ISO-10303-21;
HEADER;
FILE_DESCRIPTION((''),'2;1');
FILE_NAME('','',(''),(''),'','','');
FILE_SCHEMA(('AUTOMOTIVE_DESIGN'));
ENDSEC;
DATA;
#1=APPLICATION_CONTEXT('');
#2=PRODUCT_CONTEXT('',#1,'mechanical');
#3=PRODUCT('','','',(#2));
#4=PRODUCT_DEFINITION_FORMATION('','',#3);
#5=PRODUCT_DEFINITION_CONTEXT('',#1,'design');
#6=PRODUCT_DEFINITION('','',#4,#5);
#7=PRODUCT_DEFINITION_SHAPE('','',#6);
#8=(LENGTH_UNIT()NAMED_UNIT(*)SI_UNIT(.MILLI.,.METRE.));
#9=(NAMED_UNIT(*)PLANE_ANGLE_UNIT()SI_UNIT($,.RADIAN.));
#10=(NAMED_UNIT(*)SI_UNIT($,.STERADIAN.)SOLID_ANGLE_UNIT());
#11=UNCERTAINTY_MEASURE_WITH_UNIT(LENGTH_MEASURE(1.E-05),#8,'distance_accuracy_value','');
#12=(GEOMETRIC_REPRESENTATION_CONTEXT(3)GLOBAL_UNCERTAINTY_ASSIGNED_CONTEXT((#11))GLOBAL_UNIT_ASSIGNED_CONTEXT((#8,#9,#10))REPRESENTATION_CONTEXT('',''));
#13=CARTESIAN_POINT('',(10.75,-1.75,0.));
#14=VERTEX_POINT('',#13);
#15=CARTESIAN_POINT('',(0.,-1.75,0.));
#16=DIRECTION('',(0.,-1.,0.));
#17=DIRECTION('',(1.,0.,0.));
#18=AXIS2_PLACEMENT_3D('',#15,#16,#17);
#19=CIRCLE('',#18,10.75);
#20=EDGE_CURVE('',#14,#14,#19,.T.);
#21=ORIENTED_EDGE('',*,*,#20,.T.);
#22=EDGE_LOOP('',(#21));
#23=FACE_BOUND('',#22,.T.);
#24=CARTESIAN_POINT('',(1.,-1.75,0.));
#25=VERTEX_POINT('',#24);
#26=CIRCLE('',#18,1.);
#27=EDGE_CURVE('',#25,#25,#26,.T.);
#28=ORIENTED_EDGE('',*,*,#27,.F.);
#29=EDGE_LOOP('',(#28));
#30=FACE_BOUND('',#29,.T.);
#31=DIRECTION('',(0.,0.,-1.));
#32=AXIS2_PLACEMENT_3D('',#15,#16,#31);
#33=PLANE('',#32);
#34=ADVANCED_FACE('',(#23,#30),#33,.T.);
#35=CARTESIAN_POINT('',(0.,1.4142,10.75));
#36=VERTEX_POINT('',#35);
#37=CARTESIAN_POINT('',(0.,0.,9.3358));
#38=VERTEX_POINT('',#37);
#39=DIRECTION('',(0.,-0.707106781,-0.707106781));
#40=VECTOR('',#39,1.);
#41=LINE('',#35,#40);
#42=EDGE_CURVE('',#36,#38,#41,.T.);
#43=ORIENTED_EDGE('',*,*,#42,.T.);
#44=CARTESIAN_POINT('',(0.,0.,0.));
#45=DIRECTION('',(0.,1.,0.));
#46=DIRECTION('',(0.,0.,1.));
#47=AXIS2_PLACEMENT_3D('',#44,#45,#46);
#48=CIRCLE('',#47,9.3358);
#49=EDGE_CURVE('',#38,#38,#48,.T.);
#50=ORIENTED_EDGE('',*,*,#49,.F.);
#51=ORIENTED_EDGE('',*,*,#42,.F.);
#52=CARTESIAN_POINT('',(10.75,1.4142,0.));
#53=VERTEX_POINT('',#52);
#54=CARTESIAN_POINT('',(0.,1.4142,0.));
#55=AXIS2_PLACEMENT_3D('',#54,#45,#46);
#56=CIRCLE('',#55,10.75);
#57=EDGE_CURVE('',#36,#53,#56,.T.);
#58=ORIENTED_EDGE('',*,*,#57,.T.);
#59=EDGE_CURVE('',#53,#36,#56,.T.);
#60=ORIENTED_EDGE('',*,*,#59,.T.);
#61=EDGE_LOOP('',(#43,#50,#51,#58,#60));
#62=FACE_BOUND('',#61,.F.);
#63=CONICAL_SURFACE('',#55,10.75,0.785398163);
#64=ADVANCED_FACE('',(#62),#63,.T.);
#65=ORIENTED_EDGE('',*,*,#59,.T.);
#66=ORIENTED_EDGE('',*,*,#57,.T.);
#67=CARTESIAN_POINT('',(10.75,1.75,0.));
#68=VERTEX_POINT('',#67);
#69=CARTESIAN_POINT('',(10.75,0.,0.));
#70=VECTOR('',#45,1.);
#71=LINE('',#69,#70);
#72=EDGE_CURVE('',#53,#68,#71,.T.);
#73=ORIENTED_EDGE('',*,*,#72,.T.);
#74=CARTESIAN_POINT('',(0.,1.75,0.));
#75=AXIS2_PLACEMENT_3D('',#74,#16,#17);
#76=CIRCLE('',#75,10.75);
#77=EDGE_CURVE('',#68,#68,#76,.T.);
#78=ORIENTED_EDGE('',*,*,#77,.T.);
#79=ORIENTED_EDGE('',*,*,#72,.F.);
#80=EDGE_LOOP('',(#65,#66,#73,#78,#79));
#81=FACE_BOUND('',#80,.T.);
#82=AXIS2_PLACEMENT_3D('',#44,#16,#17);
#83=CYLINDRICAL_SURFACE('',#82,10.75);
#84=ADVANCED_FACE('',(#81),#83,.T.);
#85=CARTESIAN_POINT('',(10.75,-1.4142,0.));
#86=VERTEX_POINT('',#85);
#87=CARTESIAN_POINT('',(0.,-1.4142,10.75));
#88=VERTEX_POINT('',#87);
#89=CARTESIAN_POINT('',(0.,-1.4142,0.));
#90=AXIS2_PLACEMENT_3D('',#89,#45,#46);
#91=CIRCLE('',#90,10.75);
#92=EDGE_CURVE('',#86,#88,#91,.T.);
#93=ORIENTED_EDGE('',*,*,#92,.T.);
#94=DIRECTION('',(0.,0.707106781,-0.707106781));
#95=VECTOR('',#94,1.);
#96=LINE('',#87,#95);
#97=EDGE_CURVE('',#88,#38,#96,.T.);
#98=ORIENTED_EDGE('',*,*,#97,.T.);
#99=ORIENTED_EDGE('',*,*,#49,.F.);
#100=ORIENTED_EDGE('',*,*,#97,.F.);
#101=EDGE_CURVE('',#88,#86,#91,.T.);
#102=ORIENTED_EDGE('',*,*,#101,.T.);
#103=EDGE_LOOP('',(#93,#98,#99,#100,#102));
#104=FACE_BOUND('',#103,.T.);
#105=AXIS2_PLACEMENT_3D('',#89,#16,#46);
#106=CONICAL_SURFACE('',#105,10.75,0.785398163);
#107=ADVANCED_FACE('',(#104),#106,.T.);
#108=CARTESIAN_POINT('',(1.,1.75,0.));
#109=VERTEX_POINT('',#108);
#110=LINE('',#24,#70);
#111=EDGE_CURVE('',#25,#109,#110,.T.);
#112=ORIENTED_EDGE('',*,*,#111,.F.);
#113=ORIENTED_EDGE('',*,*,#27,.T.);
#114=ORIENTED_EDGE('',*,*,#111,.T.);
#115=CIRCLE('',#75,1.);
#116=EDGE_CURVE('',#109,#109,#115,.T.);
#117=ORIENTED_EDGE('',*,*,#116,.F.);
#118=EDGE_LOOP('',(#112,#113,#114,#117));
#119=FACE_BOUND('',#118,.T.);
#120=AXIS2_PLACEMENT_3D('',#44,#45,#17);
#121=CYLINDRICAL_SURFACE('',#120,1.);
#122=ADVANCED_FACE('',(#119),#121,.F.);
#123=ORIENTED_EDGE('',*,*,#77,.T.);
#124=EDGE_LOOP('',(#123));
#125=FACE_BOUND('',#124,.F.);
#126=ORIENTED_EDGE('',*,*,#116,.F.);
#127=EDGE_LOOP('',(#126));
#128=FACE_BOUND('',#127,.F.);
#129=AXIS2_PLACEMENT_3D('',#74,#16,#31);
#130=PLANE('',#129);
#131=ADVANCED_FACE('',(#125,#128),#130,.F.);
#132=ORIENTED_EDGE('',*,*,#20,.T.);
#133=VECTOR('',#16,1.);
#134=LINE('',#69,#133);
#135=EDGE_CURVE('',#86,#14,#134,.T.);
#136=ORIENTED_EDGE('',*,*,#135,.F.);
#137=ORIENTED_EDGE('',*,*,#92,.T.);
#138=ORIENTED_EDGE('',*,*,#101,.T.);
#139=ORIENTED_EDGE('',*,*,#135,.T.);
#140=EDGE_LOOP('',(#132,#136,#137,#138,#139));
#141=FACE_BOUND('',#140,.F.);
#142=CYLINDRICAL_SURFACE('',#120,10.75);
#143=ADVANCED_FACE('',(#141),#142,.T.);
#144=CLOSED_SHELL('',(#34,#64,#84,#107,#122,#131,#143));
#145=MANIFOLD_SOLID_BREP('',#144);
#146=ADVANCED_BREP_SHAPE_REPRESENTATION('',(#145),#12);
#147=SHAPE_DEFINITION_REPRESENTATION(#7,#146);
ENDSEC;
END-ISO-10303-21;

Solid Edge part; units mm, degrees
sketch "Sketch1" plane through (0, 0, 0) normal (0, -1, 0) x (1, 0, 0)
  circle A0 centre (0, 0) radius 1
  circle A1 centre (0, 0) radius 10.75
extrude "Protrusion1" add sketch "Sketch1" along normal mid plane 3.5
sketch "Sketch2" plane through (0, 0, 0) normal (-1, 0, 0) x (0, -1, 0)
  line L0 (0, 10.75) -> (-1.4142, 10.75)
  line L1 (-1.4142, 10.75) -> (0, 9.3358)
  line L2 (1.4142, 10.75) -> (0, 9.3358)
  line L3 (0, 10.75) -> (1.4142, 10.75)
revolve "RevolvedCutout1" cut sketch "Sketch2" angle 360 about axis through (0, 0, 0) along (0, 1, 0)
properties material "(None)"
